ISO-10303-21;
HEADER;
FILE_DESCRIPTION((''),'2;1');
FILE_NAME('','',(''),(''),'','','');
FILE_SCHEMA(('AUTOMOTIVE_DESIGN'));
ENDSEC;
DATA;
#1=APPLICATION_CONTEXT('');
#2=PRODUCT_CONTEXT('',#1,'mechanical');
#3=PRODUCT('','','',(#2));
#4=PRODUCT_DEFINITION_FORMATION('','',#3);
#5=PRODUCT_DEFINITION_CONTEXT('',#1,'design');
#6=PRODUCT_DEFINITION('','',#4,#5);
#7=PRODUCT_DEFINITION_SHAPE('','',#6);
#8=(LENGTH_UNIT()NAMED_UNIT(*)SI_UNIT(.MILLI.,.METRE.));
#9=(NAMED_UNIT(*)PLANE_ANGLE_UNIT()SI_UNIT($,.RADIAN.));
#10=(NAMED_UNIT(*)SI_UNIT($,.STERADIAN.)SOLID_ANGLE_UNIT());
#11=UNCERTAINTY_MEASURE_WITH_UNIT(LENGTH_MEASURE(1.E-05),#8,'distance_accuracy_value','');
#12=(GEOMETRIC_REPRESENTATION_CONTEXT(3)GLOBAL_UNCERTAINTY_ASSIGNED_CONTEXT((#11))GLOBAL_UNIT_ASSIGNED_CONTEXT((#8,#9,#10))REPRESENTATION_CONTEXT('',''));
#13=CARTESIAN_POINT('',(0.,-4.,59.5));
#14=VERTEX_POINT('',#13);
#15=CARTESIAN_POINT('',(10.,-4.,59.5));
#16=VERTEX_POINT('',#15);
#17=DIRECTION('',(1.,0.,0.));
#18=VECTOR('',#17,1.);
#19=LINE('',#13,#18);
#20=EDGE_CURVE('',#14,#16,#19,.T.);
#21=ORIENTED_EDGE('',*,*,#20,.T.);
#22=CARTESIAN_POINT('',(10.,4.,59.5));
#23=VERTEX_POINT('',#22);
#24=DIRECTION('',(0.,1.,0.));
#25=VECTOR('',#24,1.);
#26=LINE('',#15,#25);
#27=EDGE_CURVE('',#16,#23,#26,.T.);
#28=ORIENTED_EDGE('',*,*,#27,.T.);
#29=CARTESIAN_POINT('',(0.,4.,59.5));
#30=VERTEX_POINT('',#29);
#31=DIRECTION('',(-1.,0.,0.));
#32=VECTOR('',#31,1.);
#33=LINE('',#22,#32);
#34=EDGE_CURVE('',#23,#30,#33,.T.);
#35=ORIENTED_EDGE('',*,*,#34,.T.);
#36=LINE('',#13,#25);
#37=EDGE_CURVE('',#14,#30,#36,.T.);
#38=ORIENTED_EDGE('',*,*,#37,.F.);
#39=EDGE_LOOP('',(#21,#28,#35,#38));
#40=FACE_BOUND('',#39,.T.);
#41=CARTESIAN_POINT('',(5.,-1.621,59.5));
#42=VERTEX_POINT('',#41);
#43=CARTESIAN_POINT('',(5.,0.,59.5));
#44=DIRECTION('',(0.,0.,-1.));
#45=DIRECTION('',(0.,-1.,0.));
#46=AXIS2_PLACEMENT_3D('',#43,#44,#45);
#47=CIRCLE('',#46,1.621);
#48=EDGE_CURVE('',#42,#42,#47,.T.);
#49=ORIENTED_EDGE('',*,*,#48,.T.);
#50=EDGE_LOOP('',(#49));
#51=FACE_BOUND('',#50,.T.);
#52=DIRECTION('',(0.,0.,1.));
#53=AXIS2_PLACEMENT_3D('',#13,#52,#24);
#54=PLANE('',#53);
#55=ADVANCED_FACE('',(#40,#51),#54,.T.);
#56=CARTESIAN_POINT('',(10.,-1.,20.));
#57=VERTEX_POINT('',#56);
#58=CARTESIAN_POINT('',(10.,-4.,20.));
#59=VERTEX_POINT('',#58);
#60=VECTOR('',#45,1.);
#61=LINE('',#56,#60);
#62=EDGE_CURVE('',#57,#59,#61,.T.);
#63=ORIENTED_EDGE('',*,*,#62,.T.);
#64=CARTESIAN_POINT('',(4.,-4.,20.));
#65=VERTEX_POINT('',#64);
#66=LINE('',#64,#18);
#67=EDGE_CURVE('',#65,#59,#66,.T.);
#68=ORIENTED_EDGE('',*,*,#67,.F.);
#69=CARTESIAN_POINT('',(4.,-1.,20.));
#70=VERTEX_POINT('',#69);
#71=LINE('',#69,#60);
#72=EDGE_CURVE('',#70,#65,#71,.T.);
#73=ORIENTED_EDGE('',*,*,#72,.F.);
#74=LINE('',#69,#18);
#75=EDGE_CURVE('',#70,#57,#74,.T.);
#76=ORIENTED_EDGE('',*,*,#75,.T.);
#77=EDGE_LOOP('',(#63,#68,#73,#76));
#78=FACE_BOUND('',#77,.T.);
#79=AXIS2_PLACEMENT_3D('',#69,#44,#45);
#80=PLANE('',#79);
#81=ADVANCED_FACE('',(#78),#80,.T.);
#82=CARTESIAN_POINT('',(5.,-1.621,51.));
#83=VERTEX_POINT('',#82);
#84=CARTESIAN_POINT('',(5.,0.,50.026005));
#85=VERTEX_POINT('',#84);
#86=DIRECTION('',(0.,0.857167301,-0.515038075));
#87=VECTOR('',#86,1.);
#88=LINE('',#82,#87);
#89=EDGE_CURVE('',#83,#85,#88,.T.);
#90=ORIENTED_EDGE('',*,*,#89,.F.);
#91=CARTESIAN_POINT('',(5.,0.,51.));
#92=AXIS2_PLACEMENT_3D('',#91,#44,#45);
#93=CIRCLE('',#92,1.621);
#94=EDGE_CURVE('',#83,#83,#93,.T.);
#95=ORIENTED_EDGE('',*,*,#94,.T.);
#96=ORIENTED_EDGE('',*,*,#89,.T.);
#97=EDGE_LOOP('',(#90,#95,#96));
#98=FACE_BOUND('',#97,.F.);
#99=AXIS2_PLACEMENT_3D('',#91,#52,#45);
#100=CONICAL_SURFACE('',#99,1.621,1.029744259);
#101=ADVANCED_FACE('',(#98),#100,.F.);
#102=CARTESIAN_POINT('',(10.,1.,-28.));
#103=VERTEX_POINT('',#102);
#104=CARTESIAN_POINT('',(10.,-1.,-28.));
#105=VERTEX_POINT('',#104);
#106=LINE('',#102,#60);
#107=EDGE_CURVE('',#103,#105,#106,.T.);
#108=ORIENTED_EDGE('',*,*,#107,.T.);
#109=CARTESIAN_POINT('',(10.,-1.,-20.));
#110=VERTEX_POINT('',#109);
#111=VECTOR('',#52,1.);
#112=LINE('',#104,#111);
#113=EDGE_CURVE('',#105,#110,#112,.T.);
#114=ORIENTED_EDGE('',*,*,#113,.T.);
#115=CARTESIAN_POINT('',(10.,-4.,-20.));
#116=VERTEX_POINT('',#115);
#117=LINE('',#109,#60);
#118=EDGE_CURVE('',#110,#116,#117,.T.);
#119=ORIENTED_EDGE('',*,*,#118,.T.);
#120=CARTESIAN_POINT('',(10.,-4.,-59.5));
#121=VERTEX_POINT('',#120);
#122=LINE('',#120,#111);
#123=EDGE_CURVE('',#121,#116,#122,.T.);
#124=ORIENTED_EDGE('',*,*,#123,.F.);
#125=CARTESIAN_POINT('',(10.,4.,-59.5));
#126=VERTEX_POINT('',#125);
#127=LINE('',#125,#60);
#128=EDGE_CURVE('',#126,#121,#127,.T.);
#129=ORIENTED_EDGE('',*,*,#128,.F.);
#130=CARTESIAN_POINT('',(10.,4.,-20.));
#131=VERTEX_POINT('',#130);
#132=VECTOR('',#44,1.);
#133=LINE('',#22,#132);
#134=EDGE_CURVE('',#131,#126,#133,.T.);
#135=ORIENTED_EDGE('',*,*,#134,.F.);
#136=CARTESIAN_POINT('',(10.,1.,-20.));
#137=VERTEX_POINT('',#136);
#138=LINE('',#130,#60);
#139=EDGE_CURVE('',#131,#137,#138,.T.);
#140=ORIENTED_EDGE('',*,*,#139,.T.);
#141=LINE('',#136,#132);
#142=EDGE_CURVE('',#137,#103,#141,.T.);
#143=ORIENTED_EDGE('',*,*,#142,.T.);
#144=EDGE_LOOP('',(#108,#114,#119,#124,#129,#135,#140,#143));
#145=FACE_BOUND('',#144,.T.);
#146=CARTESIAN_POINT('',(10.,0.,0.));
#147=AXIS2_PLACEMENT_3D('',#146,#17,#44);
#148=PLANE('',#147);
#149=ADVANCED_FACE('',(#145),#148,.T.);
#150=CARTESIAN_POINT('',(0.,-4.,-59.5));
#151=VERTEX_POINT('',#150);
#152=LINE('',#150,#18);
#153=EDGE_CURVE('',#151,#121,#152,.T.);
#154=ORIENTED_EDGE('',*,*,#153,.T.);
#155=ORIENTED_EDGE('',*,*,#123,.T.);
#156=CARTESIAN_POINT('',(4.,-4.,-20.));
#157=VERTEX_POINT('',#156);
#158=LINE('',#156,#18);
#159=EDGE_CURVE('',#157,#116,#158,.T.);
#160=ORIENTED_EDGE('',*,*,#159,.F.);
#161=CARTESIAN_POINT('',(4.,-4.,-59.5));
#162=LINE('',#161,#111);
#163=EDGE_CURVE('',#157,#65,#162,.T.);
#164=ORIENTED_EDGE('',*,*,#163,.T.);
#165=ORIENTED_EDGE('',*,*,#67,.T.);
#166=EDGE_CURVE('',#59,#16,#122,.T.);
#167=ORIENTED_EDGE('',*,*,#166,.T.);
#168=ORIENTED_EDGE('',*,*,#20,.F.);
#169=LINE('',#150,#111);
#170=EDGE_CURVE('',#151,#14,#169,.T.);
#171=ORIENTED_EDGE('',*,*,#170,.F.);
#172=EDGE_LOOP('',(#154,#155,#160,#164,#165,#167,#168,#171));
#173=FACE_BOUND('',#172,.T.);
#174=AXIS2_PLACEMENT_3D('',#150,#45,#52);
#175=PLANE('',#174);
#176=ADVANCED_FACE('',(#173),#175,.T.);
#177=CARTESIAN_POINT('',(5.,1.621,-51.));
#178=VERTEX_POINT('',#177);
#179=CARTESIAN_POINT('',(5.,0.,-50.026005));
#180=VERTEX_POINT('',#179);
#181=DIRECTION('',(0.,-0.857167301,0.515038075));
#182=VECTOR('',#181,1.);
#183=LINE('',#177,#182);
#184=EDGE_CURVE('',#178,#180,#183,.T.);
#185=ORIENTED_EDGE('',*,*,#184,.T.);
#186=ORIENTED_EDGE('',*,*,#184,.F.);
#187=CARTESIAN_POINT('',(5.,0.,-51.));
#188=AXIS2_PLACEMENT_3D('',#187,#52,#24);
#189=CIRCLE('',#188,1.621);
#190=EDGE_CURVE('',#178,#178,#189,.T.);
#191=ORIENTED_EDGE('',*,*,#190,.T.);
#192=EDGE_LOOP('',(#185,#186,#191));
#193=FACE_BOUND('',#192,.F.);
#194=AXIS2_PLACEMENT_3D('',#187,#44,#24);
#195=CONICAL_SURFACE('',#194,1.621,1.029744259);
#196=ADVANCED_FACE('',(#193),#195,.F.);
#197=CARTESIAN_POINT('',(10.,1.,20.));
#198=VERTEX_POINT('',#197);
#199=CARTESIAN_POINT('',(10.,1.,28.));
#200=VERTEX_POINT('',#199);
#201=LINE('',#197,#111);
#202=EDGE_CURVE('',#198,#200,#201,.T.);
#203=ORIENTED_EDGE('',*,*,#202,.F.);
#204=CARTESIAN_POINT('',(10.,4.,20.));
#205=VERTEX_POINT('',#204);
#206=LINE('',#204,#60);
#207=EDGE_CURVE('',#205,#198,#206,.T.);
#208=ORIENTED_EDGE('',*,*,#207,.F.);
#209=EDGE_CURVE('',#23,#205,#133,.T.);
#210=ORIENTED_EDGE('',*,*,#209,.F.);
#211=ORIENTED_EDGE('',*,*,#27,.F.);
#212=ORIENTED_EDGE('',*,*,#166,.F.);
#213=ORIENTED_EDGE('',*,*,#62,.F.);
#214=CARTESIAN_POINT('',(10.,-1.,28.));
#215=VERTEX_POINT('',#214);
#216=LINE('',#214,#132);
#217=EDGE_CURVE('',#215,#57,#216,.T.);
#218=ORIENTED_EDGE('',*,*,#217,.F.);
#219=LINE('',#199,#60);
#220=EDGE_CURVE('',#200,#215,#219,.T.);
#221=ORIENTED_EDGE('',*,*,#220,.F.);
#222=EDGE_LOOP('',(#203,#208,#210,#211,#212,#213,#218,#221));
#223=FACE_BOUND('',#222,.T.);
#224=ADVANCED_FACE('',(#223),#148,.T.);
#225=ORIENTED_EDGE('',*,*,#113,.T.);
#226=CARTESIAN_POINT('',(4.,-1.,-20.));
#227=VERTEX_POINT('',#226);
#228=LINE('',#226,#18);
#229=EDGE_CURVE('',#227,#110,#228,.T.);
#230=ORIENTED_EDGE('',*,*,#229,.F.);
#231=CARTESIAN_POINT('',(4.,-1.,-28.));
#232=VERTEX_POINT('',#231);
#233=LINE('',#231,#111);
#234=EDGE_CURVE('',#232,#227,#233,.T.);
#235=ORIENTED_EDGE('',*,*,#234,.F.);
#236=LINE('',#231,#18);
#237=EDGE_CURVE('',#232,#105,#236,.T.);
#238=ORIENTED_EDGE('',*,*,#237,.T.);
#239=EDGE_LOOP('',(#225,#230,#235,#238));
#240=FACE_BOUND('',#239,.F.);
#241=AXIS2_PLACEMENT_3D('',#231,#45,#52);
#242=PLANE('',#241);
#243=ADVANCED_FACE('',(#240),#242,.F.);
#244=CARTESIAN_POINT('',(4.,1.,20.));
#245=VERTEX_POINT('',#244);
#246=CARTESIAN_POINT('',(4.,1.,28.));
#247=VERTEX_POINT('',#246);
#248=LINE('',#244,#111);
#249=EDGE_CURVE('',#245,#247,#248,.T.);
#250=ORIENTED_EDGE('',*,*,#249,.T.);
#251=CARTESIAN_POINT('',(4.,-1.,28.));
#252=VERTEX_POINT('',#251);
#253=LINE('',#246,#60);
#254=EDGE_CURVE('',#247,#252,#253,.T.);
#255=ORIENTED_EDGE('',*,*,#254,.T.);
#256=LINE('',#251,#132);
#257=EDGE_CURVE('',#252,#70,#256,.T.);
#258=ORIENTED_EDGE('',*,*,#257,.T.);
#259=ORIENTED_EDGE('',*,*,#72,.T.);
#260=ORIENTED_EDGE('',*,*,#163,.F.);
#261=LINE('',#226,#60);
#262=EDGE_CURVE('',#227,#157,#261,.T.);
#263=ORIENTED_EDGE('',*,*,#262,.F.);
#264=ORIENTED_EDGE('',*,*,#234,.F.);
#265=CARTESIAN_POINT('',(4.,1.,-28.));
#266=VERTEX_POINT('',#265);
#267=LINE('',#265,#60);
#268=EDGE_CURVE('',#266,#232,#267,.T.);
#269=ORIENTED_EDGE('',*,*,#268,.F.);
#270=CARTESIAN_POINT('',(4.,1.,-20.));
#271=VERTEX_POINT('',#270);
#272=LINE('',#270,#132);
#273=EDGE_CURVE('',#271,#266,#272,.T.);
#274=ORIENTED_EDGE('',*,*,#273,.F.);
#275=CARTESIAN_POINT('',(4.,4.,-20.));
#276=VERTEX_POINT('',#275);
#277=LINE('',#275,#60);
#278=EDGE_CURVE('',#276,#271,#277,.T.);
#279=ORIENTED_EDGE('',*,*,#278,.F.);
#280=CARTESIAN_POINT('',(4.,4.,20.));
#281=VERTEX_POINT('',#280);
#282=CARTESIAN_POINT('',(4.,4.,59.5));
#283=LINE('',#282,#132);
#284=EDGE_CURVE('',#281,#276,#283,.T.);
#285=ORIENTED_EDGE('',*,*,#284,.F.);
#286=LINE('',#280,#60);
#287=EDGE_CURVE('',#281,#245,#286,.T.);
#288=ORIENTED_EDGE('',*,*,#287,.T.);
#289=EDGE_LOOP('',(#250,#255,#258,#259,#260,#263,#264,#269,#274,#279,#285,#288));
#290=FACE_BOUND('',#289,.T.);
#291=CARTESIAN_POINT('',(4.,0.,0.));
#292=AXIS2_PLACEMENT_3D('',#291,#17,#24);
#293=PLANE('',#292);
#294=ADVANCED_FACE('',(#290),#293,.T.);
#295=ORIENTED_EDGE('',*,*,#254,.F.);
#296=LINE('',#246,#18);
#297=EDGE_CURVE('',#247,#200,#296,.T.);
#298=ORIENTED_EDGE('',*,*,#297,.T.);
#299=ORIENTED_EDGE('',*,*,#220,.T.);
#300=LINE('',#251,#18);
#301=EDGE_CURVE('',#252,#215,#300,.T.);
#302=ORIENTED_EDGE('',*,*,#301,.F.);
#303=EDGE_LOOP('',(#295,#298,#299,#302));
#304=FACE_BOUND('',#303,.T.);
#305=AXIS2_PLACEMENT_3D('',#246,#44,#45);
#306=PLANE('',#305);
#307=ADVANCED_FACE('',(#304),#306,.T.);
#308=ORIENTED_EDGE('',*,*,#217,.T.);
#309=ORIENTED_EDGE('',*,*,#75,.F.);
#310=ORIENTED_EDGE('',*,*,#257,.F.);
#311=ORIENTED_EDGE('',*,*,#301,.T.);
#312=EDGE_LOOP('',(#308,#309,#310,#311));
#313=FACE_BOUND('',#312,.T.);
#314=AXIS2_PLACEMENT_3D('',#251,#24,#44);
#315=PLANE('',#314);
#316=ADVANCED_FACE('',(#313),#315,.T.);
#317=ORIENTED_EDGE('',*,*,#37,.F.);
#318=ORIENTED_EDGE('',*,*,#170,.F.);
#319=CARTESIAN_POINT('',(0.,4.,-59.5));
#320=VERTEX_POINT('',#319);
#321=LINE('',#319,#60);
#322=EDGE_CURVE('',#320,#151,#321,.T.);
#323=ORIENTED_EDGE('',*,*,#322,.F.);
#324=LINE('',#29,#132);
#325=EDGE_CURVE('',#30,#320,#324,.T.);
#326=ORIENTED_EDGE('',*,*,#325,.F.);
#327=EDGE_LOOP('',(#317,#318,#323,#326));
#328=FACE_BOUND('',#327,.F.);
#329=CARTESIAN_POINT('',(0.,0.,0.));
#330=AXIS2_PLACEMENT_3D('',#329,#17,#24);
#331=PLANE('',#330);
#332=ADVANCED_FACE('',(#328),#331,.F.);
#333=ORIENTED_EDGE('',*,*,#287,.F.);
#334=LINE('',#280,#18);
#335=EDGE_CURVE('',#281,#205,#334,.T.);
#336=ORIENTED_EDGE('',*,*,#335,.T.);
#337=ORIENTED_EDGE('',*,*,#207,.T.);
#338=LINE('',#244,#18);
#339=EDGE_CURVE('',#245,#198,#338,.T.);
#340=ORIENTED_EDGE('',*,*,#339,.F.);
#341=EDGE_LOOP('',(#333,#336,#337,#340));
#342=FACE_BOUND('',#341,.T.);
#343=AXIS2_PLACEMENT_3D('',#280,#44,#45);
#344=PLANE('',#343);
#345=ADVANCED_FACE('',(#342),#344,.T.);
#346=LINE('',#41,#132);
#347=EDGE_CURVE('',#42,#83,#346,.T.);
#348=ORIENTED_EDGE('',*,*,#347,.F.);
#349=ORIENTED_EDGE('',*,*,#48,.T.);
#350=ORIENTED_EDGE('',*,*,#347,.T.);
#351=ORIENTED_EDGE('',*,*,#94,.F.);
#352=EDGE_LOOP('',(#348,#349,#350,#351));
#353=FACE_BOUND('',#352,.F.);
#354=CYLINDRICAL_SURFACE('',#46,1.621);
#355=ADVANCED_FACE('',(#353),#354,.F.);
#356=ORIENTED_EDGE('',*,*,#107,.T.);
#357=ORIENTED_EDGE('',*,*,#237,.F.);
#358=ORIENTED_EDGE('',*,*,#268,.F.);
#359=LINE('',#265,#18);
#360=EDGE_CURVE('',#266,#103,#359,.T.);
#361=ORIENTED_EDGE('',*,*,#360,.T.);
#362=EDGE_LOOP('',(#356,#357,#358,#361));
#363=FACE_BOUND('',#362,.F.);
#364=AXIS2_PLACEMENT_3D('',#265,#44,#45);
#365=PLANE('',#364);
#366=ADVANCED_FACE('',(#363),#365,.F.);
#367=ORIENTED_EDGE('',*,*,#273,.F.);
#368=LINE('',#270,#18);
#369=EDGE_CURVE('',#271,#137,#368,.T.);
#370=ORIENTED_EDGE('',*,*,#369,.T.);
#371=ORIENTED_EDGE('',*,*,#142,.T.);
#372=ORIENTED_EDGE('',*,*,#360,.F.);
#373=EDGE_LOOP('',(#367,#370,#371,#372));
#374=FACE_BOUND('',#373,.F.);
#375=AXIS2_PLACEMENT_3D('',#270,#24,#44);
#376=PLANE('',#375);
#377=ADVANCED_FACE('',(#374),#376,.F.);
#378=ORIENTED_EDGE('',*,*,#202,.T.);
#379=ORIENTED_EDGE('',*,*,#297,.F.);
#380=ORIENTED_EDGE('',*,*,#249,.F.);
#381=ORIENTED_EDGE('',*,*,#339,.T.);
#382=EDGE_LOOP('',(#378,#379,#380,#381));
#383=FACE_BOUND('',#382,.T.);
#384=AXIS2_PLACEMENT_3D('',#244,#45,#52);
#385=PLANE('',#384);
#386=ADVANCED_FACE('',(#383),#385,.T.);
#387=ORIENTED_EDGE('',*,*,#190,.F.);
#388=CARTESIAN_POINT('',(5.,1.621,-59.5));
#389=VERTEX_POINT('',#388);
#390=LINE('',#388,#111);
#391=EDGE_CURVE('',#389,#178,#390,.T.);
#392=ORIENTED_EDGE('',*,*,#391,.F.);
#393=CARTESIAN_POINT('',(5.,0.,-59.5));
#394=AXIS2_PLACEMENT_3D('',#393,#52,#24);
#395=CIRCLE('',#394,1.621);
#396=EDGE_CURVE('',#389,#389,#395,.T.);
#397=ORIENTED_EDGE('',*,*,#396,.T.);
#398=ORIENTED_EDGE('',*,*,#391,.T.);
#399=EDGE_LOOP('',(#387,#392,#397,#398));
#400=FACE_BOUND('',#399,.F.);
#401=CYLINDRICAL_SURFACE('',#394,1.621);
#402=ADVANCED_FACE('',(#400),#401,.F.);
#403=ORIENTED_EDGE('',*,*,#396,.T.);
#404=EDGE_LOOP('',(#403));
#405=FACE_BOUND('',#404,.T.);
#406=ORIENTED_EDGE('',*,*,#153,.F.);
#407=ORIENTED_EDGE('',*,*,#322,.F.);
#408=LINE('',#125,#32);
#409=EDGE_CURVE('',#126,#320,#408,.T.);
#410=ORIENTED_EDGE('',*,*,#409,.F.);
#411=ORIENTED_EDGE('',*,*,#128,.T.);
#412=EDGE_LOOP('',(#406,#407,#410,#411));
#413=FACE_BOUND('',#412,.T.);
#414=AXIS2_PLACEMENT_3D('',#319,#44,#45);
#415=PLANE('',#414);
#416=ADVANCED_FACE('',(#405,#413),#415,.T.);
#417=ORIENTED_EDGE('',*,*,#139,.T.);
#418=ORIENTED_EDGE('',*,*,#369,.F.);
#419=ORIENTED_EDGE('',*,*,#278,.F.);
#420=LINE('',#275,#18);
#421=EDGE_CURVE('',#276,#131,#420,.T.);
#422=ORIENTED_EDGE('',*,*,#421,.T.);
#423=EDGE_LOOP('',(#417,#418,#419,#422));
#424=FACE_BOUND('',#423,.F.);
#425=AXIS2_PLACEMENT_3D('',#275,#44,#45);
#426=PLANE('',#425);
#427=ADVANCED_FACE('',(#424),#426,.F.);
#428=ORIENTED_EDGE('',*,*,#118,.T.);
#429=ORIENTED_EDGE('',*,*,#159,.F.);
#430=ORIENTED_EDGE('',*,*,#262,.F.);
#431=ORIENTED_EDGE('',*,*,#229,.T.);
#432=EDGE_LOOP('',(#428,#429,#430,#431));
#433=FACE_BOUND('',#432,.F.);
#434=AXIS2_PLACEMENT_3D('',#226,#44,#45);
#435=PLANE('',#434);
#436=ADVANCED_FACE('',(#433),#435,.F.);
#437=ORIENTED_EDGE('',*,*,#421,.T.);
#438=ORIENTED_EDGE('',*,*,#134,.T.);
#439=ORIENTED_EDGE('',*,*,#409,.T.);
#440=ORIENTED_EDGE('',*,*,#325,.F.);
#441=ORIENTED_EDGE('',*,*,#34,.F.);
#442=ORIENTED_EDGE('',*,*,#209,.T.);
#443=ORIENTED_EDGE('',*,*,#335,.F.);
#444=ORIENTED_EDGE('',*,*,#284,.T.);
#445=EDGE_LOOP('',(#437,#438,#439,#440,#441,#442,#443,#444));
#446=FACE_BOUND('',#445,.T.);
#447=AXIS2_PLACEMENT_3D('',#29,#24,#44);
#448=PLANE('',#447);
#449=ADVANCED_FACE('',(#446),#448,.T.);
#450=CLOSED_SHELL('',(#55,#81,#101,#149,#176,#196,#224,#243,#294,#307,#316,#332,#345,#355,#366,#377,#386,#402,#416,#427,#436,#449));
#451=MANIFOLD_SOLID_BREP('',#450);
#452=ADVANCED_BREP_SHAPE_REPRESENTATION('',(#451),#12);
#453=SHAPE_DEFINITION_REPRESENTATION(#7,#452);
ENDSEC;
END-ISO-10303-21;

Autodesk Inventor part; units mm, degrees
ref_plane "YZ Plane" through (0, 0, 0) normal (1, 0, 0) x (0, 1, 0)
ref_plane "XZ Plane" through (0, 0, 0) normal (0, 1, 0) x (-1, 0, 0)
ref_plane "XY Plane" through (0, 0, 0) normal (0, 0, 1) x (1, 0, 0)
sketch "Sketch3" plane through (0, 0, 0) normal (1, 0, 0) x (0, 1, 0)
  line L0 (-4, 59.5) -> (4, 59.5)
  line L1 (4, 59.5) -> (4, -59.5)
  line L2 (4, -59.5) -> (-4, -59.5)
  line L3 (-4, -59.5) -> (-4, 59.5)
  line L4 (-67.3512, -62.0209) -> (6.0524, -62.0209) projected
  line L5 (-86.0704, 69.3717) -> (-9.6617, 69.3717)
  line L6 (-9.4707, -54.67) -> (-85.8794, -54.67)
  point P0 (0, 0)
  dimension "d7" = 119
  dimension "d8" = 59.5
  dimension "d9" = 8
  dimension "d10" = 4
  dimension "d50" = 124.0417
extrude "Extrusion1" add sketch "Sketch3" along normal blind 4
sketch "Sketch4" plane through (4, 0, 0) normal (1, 0, 0) x (0, 0, -1)
  line L0 (-59.5, 4) -> (59.5, 4) projected
  line L1 (-59.5, -4) -> (-59.5, 4) projected
  line L2 (59.5, -4) -> (-59.5, -4) projected
  line L3 (59.5, 4) -> (59.5, -4) projected
  line L4 (-59.5, 4) -> (-20, 4)
  line L5 (-20, -4) -> (-59.5, -4)
  line L6 (-59.5, -4) -> (-59.5, 4)
  line L7 (59.5, 4) -> (59.5, -4)
  line L8 (-20, 4) -> (-20, 1)
  line L9 (-20, 1) -> (-28, 1)
  line L10 (-28, 1) -> (-28, -1)
  line L11 (-28, -1) -> (-20, -1)
  line L12 (-20, -1) -> (-20, -4)
  line L13 (0, -4) -> (0, 4)
  line L14 (59.5, 4) -> (20, 4)
  line L15 (20, 1) -> (28, 1)
  line L16 (28, 1) -> (28, -1)
  line L17 (28, -1) -> (20, -1)
  line L18 (20, -1) -> (20, -4)
  line L19 (20, 4) -> (20, 1)
  line L20 (20, -4) -> (59.5, -4)
  point P0 (0, 0)
  dimension "d20" = 28
  dimension "d21" = 2
  dimension "d22" = 1
  dimension "d23" = 20
  dimension "d24" = 20
  dimension "d25" = 20
  dimension "d26" = 20
  dimension "d27" = 1
  dimension "d28" = 1
  dimension "d29" = 28
extrude "Extrusion3" add sketch "Sketch4" along normal blind 6 contours L0 L8 L9 L10 L11 L12 L2 L1 | L0 L3 L2 L18 L17 L16 L15 L19
sketch "Sketch6" plane through (0, -4, 59.5) normal (0, 0, 1) x (1, 0, 0)
  line L0 (0, 8) -> (10, 8) projected
  line L1 (0, 0) -> (0, 8) projected
  point P0 (0, 4)
  point P1 (5, 4)
  dimension "d32" = 4
  dimension "d33" = 5
hole "Hole1" at (5, 0, 59.5) direction (0, 0, -1) diameter 3.242 depth 8.5 tip angle 118 thread size "M4x0.7" class "6H" standard "ISO Metric profile"
sketch "Sketch7" plane through (0, -4, -59.5) normal (0, 0, -1) x (-1, 0, 0)
  line L0 (0, 0) -> (-10, 0) projected
  line L1 (0, 8) -> (0, 0) projected
  point P0 (0, 4)
  point P1 (-5, 4)
  dimension "d41" = 5
  dimension "d42" = 4
hole "Hole2" at (5, 0, -59.5) direction (0, 0, 1) diameter 3.242 depth 8.5 tip angle 118 thread size "M4x0.7" class "6H" standard "ISO Metric profile"
equation "\"d8\" = 0.5 * d7"
equation "\"d10\" = 0.5 * d9"
equation "\"d22\" = 0.5 * d21"
equation "\"d24\" = d23"
equation "\"d25\" = d23"
equation "\"d26\" = d23"
equation "\"d27\" = 0.5 * d21"
equation "\"d28\" = 0.5 * d21"
equation "\"d29\" = d20"
equation "\"d32\" = 0.5 * d9"
equation "\"d33\" = 0.5 * d30 + 0.5 * d11"
equation "\"d41\" = 0.5 * d30 + 0.5 * d11"
equation "\"d42\" = 0.5 * d9"
equation "\"d30\" = 6"
equation "\"d11\" = 4"
properties part number "feet"
